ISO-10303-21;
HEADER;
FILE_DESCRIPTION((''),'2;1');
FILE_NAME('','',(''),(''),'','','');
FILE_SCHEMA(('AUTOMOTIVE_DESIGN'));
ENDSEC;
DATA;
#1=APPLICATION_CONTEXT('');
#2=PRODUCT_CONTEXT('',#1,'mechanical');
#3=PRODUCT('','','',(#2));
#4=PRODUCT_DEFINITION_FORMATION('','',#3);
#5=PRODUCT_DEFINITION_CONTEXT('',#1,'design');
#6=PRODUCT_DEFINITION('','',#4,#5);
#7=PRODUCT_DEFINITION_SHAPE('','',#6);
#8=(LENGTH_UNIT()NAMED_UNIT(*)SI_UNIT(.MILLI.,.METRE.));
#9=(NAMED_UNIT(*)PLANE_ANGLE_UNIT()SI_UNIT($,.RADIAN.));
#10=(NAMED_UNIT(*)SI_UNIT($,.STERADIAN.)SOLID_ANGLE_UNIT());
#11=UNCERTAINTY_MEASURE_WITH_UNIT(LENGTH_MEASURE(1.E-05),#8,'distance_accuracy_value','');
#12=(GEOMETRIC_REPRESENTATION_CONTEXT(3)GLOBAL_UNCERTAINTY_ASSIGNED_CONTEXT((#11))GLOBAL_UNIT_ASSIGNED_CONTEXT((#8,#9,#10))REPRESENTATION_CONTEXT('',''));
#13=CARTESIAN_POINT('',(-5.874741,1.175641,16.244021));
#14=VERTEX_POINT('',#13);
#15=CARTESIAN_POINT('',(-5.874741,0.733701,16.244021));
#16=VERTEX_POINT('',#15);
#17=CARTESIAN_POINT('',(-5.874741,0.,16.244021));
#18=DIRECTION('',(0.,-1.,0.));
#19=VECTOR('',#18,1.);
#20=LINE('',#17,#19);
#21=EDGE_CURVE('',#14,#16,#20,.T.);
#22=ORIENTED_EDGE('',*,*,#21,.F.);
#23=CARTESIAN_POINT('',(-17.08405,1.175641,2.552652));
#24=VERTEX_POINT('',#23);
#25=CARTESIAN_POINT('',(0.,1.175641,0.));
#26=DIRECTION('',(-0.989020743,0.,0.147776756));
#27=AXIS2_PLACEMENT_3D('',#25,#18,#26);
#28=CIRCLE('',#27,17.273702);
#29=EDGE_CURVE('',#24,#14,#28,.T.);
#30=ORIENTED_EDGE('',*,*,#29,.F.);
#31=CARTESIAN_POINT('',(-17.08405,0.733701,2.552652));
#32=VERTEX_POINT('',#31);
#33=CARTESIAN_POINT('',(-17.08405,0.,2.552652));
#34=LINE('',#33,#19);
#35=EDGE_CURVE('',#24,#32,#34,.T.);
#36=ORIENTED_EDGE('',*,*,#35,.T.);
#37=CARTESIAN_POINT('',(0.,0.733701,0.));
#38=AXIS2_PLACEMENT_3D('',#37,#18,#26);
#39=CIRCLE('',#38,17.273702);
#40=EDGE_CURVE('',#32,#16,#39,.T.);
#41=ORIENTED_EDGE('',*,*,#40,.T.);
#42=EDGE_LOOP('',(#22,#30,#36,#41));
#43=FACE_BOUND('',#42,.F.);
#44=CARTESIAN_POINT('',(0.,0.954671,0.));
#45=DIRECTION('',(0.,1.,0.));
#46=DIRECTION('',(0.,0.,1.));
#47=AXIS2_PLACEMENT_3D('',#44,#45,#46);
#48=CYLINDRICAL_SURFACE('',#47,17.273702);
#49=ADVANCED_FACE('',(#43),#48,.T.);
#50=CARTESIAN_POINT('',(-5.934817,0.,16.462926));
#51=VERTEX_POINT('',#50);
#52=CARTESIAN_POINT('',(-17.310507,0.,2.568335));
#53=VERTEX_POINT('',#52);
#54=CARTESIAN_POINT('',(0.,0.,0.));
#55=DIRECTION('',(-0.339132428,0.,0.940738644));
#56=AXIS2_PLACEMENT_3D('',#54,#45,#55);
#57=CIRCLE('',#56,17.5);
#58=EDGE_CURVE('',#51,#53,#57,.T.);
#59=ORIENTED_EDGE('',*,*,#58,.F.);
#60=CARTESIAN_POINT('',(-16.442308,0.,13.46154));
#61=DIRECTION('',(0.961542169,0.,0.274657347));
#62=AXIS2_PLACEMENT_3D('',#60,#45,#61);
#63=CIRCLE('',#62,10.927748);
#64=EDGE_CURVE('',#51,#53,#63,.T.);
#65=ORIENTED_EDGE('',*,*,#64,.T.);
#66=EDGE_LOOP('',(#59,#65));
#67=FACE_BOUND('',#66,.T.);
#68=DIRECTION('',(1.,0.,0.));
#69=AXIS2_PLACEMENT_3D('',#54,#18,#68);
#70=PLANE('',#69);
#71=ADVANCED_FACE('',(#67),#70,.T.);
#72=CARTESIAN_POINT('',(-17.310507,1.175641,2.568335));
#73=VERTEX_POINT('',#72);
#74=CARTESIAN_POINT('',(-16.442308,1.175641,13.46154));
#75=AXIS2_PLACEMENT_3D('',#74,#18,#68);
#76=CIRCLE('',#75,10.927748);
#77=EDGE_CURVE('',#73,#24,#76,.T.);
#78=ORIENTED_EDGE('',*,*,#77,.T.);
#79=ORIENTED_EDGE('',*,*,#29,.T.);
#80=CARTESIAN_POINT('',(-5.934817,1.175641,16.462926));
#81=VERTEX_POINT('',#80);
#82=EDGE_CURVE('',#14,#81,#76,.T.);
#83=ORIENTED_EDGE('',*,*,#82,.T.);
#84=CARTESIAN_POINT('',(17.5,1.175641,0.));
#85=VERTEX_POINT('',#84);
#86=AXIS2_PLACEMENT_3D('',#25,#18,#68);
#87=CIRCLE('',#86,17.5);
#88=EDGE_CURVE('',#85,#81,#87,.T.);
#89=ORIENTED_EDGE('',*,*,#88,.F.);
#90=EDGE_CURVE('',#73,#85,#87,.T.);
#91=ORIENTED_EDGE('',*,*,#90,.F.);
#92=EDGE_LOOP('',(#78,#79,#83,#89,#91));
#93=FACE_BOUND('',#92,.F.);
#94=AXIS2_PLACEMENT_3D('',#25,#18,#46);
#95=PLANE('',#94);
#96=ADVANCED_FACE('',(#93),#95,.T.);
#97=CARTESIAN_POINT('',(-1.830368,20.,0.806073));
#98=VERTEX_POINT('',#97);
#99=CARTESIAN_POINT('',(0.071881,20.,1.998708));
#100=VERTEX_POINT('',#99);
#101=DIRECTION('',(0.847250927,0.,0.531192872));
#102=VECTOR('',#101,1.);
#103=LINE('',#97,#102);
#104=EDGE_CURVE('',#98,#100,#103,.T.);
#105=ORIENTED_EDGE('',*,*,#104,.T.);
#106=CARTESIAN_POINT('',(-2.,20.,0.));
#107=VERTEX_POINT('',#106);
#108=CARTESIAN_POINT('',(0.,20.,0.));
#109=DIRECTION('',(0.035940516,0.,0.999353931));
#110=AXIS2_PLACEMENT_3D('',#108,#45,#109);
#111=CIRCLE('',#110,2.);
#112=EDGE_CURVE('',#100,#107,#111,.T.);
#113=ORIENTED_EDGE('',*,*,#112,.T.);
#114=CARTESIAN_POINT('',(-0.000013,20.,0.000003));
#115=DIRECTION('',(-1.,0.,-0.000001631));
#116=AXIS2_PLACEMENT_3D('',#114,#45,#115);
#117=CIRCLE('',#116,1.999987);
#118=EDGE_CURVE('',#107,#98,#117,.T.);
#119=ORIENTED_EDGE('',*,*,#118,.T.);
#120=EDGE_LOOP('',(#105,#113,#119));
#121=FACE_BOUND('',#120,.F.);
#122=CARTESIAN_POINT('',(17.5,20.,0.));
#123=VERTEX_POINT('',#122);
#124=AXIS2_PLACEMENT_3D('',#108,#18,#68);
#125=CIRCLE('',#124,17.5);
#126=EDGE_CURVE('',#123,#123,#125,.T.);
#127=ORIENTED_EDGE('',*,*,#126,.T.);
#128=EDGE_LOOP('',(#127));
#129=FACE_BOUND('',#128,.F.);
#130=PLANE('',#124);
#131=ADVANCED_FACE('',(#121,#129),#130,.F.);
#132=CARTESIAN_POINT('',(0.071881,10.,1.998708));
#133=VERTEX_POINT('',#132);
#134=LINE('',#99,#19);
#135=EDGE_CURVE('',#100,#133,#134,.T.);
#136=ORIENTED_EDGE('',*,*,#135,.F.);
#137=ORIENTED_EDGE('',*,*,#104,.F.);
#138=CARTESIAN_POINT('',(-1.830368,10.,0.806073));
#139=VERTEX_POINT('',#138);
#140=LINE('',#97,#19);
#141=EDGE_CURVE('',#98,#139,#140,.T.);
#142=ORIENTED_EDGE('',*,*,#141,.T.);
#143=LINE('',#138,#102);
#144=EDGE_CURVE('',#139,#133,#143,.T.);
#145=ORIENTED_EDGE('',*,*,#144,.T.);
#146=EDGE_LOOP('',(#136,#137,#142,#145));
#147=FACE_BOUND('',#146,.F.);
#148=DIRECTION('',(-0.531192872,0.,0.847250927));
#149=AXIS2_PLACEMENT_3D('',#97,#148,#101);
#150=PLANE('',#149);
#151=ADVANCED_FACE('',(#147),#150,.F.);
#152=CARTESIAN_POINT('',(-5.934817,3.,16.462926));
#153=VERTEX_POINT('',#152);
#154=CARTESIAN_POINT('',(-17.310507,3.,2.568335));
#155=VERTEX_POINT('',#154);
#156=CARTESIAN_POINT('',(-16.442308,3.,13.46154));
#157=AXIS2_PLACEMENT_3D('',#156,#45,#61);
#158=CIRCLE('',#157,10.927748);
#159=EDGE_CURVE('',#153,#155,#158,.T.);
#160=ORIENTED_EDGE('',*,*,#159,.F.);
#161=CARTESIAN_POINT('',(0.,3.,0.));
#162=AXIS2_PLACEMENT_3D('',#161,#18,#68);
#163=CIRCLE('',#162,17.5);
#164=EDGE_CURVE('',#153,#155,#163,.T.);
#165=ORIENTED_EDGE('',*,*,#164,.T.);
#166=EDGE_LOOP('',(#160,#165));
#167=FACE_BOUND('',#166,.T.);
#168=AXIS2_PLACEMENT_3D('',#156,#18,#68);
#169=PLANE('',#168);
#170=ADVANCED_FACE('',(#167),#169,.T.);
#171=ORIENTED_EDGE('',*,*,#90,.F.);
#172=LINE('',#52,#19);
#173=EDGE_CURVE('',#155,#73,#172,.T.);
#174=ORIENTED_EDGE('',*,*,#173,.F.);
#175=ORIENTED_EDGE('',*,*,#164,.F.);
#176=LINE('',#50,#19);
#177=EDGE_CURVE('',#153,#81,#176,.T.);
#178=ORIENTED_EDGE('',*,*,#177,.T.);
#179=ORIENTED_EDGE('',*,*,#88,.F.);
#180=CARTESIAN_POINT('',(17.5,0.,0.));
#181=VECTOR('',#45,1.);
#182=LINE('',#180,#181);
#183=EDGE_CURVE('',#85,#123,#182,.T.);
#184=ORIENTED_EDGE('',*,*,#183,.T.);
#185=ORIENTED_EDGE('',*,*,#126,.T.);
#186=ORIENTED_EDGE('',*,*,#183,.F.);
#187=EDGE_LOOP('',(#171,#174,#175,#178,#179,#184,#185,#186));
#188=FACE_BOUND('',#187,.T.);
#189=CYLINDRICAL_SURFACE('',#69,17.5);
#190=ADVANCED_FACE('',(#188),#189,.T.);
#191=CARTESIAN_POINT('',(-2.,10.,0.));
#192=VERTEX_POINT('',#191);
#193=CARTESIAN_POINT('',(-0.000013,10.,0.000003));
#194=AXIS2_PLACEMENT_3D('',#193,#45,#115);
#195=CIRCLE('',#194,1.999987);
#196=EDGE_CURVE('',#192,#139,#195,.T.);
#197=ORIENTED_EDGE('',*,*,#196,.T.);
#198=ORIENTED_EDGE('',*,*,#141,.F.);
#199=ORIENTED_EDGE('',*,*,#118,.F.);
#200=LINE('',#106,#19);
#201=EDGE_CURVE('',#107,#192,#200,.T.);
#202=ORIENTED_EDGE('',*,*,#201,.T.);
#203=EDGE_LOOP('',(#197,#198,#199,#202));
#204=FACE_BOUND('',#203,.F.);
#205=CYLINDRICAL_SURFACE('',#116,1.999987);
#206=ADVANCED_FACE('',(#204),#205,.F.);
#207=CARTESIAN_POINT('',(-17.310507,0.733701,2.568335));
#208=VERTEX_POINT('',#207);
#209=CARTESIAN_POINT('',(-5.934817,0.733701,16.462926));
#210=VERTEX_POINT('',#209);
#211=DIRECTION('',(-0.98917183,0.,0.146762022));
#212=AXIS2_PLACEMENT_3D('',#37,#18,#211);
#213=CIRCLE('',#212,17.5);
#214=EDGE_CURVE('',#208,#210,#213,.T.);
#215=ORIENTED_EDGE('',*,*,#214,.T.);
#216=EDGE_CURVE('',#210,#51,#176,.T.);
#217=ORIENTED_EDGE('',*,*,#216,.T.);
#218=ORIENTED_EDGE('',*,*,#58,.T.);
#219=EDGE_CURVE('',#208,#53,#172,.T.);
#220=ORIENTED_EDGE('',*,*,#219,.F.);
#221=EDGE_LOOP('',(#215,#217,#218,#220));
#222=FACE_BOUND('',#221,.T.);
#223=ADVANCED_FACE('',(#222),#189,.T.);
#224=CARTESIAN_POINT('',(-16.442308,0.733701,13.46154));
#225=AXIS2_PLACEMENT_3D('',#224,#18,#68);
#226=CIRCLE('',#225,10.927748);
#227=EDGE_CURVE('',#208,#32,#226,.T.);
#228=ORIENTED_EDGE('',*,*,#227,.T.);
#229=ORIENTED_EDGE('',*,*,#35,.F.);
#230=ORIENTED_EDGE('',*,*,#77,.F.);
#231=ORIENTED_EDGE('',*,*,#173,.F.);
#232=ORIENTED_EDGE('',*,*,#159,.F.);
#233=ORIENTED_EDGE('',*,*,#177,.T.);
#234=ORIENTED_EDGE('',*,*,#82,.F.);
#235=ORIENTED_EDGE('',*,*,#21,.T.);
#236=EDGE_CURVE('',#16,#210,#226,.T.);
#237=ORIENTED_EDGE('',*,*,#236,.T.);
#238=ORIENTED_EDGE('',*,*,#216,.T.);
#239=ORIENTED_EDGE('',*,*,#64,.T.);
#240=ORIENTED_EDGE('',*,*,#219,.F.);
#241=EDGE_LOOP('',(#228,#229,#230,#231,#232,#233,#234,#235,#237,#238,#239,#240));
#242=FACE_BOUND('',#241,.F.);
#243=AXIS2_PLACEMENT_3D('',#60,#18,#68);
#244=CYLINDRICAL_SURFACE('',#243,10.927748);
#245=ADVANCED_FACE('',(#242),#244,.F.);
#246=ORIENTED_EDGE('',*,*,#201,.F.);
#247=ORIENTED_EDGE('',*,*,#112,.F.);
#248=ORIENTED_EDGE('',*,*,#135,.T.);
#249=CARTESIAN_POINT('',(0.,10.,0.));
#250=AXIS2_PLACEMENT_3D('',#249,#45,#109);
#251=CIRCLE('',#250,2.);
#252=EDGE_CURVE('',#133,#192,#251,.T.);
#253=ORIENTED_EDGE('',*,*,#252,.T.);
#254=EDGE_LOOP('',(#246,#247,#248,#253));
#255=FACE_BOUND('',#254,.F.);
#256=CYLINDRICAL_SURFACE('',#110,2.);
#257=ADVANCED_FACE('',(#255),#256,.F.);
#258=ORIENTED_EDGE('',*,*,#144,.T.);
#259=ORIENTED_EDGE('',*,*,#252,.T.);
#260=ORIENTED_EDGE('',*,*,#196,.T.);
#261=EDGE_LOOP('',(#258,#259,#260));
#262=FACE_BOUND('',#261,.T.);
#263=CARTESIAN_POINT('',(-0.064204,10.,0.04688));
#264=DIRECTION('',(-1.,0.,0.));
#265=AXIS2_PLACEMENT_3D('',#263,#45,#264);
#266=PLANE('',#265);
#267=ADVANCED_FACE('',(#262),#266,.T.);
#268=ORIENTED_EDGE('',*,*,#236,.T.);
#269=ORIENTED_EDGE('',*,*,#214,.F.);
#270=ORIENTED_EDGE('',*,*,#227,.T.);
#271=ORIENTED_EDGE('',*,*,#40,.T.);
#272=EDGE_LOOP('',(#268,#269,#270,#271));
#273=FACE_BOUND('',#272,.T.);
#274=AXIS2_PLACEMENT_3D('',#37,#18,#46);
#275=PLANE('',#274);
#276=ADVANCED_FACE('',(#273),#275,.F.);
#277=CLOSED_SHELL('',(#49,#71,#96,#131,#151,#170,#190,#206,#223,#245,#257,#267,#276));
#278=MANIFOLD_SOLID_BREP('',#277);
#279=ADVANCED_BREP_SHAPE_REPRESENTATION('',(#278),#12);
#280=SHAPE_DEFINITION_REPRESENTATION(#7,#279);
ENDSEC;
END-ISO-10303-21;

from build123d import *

# Parameters (mm, degrees)
F0_R     = 17.5
F1_DEPTH = 20
F2_R     = 10.927748
F3_DEPTH = 3
F5_DEPTH = 10
F6_W     = 0.44194
F6_H     = 0.254811


with BuildPart() as f1:
    # F0 (on Front) → F1 (new body)
    with BuildSketch(Plane.XZ):
        Circle(F0_R)
    extrude(amount=-F1_DEPTH)

    # F2 (on Front) → F3 (cut)
    with BuildSketch(Plane.XZ):
        with Locations((-16.442308, 13.46154)):
            Circle(F2_R)
    extrude(amount=-F3_DEPTH, mode=Mode.SUBTRACT)

    # F4 (on face) → F5 (cut)
    with BuildSketch(Plane(origin=(0, 20, 0), x_dir=(-1, 0, 0), z_dir=(0, 1, 0))):
        with BuildLine():
            ThreePointArc((-0.071881, 1.998708), (-1.388567, -1.439403), (2, 0))
            ThreePointArc((2, 0), (1.957133, 0.411864), (1.830368, 0.806073))
            Line((1.830368, 0.806073), (-0.071881, 1.998708))
        make_face()
    extrude(amount=-F5_DEPTH, mode=Mode.SUBTRACT)

    # F6 (on Right) → F7 (revolve, cut)
    with BuildSketch(Plane.YZ):
        with Locations((0.954671, 17.401108)):
            Rectangle(F6_W, F6_H)
    revolve(axis=Axis((0, 0, 0), (0, -1, 0)), mode=Mode.SUBTRACT)


solid = f1.part
